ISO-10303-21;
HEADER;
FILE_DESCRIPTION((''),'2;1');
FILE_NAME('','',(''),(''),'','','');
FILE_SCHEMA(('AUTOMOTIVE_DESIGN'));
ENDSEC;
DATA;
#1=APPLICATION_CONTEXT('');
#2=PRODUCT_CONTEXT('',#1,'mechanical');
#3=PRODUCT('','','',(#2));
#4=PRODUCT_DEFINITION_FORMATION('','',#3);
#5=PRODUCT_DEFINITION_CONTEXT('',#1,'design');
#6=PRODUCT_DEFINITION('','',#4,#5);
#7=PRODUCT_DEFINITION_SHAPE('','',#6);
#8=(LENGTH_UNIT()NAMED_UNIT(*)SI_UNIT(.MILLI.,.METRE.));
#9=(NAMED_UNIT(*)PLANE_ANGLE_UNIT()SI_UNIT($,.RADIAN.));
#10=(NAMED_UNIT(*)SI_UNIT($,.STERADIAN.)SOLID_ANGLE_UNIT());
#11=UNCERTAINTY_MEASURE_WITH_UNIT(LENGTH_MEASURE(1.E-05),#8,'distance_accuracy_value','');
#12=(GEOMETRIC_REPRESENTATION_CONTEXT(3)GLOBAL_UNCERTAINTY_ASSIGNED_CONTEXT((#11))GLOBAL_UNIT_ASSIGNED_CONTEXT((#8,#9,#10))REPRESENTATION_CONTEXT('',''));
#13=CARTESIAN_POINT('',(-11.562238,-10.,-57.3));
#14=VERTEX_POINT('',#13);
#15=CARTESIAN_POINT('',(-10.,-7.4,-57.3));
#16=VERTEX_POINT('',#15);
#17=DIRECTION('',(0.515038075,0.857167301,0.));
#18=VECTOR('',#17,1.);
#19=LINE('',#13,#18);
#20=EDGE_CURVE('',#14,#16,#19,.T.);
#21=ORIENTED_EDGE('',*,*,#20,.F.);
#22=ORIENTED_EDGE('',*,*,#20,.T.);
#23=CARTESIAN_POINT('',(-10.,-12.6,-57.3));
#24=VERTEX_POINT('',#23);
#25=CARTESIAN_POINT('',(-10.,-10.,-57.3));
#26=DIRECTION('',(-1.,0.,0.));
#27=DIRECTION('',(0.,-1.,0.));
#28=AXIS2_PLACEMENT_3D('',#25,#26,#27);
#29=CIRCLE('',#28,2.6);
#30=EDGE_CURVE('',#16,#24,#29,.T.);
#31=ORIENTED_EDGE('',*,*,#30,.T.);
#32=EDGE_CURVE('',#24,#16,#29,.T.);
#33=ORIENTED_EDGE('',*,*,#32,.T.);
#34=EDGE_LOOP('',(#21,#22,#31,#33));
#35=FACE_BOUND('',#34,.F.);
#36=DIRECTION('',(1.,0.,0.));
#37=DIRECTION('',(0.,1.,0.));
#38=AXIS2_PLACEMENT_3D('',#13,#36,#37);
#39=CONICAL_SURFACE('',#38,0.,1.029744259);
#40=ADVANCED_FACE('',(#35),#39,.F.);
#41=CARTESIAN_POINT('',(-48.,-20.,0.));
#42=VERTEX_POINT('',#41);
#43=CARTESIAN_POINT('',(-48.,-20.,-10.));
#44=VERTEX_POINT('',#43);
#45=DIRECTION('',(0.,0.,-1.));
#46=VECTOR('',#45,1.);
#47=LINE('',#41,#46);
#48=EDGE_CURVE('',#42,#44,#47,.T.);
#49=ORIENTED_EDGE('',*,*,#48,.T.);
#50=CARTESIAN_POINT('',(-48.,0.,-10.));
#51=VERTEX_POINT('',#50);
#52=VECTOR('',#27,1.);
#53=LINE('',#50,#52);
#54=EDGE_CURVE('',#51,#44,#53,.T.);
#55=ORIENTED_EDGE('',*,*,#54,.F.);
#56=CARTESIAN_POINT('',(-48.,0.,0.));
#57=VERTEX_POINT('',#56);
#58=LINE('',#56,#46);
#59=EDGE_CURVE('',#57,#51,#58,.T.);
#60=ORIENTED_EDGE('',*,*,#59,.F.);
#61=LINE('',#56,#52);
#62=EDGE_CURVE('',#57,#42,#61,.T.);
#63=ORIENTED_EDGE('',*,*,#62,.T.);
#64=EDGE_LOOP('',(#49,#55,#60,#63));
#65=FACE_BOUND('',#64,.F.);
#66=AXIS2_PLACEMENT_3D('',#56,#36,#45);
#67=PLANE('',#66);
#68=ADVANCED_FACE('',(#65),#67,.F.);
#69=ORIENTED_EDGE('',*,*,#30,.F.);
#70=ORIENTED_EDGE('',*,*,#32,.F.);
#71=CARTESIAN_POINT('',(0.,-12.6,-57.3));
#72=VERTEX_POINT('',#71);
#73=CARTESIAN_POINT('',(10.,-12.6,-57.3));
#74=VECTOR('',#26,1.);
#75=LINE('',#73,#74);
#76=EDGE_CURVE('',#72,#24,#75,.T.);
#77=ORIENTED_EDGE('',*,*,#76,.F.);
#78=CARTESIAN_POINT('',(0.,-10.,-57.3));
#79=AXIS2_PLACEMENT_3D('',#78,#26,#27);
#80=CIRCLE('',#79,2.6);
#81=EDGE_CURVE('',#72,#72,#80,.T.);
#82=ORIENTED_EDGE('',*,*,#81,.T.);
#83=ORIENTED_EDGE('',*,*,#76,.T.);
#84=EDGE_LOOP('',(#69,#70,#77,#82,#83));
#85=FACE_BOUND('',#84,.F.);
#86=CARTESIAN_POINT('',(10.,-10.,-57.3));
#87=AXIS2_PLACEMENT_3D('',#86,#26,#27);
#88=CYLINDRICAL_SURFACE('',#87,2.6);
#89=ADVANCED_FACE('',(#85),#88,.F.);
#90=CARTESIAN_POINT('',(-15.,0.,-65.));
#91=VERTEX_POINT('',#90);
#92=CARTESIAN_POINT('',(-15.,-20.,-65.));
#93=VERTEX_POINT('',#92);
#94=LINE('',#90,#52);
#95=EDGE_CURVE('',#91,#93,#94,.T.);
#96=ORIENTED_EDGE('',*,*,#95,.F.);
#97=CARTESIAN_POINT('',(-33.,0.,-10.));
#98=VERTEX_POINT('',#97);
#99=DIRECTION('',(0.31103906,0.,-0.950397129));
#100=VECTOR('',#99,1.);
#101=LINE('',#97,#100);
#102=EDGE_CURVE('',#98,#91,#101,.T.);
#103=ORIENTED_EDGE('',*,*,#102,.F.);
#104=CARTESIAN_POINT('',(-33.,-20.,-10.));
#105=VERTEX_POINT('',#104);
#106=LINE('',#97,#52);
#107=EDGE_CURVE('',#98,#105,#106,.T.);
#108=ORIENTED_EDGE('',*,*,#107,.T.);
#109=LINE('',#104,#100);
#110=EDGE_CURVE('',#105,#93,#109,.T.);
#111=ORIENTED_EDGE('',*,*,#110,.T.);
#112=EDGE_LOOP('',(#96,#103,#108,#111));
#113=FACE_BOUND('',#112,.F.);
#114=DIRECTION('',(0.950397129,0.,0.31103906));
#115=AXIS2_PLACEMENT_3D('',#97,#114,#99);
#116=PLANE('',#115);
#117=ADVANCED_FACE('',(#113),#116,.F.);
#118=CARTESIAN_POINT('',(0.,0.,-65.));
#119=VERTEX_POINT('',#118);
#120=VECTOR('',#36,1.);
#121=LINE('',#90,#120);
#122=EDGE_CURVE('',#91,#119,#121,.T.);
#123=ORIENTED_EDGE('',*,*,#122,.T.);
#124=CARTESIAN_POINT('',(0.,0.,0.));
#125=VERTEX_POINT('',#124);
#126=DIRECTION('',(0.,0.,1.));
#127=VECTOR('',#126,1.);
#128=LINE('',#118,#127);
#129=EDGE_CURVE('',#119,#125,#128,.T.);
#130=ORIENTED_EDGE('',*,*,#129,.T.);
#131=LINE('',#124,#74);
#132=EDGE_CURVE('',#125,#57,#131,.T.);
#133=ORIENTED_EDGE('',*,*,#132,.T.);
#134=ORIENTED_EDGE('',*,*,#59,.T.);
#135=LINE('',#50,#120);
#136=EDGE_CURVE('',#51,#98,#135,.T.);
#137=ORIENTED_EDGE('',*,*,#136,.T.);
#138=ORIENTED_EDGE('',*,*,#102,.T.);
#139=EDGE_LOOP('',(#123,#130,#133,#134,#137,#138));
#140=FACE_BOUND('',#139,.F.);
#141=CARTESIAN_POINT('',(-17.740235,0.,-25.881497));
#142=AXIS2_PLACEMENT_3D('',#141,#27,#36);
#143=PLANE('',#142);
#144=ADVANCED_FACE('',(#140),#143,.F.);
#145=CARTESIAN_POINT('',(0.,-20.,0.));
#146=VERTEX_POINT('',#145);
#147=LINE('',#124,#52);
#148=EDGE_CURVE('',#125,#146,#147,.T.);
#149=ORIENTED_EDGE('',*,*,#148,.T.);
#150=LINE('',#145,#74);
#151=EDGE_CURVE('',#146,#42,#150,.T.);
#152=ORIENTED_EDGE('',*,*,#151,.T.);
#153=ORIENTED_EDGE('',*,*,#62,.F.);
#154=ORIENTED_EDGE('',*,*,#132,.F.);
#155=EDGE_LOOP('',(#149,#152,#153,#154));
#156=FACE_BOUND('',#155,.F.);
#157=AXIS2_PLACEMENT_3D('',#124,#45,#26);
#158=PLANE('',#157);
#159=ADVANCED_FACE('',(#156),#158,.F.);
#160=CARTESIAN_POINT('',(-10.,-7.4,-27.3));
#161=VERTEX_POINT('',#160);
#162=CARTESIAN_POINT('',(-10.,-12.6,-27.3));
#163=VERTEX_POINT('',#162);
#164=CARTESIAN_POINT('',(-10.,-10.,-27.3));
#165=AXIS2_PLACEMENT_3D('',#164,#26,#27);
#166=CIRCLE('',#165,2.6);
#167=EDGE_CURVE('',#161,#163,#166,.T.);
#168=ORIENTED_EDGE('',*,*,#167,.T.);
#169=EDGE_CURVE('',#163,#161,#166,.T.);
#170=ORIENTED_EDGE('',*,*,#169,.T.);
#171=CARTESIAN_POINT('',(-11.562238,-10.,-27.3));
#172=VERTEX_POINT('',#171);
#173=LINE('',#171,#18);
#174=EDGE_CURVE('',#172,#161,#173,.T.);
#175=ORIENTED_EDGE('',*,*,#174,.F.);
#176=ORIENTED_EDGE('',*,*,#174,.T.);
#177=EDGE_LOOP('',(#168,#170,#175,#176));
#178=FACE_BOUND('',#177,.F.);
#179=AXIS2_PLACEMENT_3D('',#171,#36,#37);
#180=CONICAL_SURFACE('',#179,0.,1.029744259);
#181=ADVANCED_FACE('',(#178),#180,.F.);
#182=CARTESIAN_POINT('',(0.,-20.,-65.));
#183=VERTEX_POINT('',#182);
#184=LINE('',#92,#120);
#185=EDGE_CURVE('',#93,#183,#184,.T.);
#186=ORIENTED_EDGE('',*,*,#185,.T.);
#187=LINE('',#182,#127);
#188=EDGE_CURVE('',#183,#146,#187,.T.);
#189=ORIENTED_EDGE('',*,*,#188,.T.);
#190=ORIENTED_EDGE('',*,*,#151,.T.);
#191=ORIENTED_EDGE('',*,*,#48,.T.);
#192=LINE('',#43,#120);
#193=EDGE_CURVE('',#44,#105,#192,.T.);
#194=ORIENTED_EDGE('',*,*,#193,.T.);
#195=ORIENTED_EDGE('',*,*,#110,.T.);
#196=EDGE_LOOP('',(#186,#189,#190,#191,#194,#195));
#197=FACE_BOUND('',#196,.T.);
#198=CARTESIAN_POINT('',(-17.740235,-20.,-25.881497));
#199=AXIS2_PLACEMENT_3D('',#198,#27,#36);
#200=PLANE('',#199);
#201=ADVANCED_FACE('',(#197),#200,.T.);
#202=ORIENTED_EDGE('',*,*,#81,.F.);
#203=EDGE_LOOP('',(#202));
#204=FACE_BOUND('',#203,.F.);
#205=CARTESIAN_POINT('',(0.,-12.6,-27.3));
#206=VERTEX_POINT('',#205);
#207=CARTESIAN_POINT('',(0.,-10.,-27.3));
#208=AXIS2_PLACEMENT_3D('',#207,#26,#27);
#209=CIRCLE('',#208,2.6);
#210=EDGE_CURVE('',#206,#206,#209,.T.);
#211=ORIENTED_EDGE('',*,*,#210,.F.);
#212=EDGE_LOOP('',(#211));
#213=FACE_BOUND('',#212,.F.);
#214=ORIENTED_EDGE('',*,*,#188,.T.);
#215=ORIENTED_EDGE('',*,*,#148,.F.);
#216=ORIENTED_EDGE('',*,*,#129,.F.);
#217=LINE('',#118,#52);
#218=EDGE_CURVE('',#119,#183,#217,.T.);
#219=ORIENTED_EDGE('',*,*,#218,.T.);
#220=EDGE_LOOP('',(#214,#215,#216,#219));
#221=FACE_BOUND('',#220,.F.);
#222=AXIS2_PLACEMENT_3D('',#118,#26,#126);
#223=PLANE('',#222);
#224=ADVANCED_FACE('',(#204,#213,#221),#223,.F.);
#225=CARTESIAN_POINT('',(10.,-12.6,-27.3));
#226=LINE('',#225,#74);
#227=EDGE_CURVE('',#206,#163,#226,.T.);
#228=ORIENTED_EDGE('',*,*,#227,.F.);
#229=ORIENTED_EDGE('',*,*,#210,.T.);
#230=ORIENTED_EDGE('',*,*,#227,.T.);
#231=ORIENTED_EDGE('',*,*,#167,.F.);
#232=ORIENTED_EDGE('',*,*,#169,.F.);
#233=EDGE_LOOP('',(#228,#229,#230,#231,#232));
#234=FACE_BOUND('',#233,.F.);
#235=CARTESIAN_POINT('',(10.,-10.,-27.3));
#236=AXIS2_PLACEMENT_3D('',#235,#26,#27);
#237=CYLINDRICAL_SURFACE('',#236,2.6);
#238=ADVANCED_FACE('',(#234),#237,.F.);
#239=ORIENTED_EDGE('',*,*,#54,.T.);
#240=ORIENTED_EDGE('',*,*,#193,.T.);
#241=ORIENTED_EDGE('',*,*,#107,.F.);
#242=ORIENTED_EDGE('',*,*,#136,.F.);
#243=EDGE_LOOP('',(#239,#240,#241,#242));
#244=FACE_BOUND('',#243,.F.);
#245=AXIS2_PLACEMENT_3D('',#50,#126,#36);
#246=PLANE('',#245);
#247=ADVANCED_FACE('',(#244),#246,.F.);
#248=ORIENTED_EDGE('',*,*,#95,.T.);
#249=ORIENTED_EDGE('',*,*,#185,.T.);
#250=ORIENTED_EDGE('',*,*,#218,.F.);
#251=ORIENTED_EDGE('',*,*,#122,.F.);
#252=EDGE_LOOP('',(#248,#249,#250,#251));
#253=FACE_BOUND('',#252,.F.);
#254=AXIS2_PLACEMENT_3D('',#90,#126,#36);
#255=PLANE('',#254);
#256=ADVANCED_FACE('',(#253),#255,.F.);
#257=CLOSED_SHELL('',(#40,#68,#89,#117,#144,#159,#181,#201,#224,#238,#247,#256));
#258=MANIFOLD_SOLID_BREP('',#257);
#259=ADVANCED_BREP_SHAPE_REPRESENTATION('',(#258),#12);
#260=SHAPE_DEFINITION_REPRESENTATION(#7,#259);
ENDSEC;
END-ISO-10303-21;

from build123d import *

# Parameters (mm, degrees)
F1_DEPTH = 20
F3_D     = 5.2
F3_DEPTH = 10
F3_TIP   = 1.5622376095


with BuildPart() as f1:
    # F0 (on Front) → F1 (new body)
    with BuildSketch(Plane.XZ):
        Polygon((0, -65), (0, 0), (-48, 0), (-48, -10), (-33, -10), (-15, -65), align=None)
    extrude(amount=F1_DEPTH)

    # F3
    with Locations(Plane.YZ):
        with Locations((-10, -27.3), (-10, -57.3)):
            Hole(F3_D / 2, depth=F3_DEPTH)
            with Locations((0, 0, -(F3_DEPTH + F3_TIP / 2))):  # 118° drill point
                Cone(0, F3_D / 2, F3_TIP, mode=Mode.SUBTRACT)


solid = f1.part
